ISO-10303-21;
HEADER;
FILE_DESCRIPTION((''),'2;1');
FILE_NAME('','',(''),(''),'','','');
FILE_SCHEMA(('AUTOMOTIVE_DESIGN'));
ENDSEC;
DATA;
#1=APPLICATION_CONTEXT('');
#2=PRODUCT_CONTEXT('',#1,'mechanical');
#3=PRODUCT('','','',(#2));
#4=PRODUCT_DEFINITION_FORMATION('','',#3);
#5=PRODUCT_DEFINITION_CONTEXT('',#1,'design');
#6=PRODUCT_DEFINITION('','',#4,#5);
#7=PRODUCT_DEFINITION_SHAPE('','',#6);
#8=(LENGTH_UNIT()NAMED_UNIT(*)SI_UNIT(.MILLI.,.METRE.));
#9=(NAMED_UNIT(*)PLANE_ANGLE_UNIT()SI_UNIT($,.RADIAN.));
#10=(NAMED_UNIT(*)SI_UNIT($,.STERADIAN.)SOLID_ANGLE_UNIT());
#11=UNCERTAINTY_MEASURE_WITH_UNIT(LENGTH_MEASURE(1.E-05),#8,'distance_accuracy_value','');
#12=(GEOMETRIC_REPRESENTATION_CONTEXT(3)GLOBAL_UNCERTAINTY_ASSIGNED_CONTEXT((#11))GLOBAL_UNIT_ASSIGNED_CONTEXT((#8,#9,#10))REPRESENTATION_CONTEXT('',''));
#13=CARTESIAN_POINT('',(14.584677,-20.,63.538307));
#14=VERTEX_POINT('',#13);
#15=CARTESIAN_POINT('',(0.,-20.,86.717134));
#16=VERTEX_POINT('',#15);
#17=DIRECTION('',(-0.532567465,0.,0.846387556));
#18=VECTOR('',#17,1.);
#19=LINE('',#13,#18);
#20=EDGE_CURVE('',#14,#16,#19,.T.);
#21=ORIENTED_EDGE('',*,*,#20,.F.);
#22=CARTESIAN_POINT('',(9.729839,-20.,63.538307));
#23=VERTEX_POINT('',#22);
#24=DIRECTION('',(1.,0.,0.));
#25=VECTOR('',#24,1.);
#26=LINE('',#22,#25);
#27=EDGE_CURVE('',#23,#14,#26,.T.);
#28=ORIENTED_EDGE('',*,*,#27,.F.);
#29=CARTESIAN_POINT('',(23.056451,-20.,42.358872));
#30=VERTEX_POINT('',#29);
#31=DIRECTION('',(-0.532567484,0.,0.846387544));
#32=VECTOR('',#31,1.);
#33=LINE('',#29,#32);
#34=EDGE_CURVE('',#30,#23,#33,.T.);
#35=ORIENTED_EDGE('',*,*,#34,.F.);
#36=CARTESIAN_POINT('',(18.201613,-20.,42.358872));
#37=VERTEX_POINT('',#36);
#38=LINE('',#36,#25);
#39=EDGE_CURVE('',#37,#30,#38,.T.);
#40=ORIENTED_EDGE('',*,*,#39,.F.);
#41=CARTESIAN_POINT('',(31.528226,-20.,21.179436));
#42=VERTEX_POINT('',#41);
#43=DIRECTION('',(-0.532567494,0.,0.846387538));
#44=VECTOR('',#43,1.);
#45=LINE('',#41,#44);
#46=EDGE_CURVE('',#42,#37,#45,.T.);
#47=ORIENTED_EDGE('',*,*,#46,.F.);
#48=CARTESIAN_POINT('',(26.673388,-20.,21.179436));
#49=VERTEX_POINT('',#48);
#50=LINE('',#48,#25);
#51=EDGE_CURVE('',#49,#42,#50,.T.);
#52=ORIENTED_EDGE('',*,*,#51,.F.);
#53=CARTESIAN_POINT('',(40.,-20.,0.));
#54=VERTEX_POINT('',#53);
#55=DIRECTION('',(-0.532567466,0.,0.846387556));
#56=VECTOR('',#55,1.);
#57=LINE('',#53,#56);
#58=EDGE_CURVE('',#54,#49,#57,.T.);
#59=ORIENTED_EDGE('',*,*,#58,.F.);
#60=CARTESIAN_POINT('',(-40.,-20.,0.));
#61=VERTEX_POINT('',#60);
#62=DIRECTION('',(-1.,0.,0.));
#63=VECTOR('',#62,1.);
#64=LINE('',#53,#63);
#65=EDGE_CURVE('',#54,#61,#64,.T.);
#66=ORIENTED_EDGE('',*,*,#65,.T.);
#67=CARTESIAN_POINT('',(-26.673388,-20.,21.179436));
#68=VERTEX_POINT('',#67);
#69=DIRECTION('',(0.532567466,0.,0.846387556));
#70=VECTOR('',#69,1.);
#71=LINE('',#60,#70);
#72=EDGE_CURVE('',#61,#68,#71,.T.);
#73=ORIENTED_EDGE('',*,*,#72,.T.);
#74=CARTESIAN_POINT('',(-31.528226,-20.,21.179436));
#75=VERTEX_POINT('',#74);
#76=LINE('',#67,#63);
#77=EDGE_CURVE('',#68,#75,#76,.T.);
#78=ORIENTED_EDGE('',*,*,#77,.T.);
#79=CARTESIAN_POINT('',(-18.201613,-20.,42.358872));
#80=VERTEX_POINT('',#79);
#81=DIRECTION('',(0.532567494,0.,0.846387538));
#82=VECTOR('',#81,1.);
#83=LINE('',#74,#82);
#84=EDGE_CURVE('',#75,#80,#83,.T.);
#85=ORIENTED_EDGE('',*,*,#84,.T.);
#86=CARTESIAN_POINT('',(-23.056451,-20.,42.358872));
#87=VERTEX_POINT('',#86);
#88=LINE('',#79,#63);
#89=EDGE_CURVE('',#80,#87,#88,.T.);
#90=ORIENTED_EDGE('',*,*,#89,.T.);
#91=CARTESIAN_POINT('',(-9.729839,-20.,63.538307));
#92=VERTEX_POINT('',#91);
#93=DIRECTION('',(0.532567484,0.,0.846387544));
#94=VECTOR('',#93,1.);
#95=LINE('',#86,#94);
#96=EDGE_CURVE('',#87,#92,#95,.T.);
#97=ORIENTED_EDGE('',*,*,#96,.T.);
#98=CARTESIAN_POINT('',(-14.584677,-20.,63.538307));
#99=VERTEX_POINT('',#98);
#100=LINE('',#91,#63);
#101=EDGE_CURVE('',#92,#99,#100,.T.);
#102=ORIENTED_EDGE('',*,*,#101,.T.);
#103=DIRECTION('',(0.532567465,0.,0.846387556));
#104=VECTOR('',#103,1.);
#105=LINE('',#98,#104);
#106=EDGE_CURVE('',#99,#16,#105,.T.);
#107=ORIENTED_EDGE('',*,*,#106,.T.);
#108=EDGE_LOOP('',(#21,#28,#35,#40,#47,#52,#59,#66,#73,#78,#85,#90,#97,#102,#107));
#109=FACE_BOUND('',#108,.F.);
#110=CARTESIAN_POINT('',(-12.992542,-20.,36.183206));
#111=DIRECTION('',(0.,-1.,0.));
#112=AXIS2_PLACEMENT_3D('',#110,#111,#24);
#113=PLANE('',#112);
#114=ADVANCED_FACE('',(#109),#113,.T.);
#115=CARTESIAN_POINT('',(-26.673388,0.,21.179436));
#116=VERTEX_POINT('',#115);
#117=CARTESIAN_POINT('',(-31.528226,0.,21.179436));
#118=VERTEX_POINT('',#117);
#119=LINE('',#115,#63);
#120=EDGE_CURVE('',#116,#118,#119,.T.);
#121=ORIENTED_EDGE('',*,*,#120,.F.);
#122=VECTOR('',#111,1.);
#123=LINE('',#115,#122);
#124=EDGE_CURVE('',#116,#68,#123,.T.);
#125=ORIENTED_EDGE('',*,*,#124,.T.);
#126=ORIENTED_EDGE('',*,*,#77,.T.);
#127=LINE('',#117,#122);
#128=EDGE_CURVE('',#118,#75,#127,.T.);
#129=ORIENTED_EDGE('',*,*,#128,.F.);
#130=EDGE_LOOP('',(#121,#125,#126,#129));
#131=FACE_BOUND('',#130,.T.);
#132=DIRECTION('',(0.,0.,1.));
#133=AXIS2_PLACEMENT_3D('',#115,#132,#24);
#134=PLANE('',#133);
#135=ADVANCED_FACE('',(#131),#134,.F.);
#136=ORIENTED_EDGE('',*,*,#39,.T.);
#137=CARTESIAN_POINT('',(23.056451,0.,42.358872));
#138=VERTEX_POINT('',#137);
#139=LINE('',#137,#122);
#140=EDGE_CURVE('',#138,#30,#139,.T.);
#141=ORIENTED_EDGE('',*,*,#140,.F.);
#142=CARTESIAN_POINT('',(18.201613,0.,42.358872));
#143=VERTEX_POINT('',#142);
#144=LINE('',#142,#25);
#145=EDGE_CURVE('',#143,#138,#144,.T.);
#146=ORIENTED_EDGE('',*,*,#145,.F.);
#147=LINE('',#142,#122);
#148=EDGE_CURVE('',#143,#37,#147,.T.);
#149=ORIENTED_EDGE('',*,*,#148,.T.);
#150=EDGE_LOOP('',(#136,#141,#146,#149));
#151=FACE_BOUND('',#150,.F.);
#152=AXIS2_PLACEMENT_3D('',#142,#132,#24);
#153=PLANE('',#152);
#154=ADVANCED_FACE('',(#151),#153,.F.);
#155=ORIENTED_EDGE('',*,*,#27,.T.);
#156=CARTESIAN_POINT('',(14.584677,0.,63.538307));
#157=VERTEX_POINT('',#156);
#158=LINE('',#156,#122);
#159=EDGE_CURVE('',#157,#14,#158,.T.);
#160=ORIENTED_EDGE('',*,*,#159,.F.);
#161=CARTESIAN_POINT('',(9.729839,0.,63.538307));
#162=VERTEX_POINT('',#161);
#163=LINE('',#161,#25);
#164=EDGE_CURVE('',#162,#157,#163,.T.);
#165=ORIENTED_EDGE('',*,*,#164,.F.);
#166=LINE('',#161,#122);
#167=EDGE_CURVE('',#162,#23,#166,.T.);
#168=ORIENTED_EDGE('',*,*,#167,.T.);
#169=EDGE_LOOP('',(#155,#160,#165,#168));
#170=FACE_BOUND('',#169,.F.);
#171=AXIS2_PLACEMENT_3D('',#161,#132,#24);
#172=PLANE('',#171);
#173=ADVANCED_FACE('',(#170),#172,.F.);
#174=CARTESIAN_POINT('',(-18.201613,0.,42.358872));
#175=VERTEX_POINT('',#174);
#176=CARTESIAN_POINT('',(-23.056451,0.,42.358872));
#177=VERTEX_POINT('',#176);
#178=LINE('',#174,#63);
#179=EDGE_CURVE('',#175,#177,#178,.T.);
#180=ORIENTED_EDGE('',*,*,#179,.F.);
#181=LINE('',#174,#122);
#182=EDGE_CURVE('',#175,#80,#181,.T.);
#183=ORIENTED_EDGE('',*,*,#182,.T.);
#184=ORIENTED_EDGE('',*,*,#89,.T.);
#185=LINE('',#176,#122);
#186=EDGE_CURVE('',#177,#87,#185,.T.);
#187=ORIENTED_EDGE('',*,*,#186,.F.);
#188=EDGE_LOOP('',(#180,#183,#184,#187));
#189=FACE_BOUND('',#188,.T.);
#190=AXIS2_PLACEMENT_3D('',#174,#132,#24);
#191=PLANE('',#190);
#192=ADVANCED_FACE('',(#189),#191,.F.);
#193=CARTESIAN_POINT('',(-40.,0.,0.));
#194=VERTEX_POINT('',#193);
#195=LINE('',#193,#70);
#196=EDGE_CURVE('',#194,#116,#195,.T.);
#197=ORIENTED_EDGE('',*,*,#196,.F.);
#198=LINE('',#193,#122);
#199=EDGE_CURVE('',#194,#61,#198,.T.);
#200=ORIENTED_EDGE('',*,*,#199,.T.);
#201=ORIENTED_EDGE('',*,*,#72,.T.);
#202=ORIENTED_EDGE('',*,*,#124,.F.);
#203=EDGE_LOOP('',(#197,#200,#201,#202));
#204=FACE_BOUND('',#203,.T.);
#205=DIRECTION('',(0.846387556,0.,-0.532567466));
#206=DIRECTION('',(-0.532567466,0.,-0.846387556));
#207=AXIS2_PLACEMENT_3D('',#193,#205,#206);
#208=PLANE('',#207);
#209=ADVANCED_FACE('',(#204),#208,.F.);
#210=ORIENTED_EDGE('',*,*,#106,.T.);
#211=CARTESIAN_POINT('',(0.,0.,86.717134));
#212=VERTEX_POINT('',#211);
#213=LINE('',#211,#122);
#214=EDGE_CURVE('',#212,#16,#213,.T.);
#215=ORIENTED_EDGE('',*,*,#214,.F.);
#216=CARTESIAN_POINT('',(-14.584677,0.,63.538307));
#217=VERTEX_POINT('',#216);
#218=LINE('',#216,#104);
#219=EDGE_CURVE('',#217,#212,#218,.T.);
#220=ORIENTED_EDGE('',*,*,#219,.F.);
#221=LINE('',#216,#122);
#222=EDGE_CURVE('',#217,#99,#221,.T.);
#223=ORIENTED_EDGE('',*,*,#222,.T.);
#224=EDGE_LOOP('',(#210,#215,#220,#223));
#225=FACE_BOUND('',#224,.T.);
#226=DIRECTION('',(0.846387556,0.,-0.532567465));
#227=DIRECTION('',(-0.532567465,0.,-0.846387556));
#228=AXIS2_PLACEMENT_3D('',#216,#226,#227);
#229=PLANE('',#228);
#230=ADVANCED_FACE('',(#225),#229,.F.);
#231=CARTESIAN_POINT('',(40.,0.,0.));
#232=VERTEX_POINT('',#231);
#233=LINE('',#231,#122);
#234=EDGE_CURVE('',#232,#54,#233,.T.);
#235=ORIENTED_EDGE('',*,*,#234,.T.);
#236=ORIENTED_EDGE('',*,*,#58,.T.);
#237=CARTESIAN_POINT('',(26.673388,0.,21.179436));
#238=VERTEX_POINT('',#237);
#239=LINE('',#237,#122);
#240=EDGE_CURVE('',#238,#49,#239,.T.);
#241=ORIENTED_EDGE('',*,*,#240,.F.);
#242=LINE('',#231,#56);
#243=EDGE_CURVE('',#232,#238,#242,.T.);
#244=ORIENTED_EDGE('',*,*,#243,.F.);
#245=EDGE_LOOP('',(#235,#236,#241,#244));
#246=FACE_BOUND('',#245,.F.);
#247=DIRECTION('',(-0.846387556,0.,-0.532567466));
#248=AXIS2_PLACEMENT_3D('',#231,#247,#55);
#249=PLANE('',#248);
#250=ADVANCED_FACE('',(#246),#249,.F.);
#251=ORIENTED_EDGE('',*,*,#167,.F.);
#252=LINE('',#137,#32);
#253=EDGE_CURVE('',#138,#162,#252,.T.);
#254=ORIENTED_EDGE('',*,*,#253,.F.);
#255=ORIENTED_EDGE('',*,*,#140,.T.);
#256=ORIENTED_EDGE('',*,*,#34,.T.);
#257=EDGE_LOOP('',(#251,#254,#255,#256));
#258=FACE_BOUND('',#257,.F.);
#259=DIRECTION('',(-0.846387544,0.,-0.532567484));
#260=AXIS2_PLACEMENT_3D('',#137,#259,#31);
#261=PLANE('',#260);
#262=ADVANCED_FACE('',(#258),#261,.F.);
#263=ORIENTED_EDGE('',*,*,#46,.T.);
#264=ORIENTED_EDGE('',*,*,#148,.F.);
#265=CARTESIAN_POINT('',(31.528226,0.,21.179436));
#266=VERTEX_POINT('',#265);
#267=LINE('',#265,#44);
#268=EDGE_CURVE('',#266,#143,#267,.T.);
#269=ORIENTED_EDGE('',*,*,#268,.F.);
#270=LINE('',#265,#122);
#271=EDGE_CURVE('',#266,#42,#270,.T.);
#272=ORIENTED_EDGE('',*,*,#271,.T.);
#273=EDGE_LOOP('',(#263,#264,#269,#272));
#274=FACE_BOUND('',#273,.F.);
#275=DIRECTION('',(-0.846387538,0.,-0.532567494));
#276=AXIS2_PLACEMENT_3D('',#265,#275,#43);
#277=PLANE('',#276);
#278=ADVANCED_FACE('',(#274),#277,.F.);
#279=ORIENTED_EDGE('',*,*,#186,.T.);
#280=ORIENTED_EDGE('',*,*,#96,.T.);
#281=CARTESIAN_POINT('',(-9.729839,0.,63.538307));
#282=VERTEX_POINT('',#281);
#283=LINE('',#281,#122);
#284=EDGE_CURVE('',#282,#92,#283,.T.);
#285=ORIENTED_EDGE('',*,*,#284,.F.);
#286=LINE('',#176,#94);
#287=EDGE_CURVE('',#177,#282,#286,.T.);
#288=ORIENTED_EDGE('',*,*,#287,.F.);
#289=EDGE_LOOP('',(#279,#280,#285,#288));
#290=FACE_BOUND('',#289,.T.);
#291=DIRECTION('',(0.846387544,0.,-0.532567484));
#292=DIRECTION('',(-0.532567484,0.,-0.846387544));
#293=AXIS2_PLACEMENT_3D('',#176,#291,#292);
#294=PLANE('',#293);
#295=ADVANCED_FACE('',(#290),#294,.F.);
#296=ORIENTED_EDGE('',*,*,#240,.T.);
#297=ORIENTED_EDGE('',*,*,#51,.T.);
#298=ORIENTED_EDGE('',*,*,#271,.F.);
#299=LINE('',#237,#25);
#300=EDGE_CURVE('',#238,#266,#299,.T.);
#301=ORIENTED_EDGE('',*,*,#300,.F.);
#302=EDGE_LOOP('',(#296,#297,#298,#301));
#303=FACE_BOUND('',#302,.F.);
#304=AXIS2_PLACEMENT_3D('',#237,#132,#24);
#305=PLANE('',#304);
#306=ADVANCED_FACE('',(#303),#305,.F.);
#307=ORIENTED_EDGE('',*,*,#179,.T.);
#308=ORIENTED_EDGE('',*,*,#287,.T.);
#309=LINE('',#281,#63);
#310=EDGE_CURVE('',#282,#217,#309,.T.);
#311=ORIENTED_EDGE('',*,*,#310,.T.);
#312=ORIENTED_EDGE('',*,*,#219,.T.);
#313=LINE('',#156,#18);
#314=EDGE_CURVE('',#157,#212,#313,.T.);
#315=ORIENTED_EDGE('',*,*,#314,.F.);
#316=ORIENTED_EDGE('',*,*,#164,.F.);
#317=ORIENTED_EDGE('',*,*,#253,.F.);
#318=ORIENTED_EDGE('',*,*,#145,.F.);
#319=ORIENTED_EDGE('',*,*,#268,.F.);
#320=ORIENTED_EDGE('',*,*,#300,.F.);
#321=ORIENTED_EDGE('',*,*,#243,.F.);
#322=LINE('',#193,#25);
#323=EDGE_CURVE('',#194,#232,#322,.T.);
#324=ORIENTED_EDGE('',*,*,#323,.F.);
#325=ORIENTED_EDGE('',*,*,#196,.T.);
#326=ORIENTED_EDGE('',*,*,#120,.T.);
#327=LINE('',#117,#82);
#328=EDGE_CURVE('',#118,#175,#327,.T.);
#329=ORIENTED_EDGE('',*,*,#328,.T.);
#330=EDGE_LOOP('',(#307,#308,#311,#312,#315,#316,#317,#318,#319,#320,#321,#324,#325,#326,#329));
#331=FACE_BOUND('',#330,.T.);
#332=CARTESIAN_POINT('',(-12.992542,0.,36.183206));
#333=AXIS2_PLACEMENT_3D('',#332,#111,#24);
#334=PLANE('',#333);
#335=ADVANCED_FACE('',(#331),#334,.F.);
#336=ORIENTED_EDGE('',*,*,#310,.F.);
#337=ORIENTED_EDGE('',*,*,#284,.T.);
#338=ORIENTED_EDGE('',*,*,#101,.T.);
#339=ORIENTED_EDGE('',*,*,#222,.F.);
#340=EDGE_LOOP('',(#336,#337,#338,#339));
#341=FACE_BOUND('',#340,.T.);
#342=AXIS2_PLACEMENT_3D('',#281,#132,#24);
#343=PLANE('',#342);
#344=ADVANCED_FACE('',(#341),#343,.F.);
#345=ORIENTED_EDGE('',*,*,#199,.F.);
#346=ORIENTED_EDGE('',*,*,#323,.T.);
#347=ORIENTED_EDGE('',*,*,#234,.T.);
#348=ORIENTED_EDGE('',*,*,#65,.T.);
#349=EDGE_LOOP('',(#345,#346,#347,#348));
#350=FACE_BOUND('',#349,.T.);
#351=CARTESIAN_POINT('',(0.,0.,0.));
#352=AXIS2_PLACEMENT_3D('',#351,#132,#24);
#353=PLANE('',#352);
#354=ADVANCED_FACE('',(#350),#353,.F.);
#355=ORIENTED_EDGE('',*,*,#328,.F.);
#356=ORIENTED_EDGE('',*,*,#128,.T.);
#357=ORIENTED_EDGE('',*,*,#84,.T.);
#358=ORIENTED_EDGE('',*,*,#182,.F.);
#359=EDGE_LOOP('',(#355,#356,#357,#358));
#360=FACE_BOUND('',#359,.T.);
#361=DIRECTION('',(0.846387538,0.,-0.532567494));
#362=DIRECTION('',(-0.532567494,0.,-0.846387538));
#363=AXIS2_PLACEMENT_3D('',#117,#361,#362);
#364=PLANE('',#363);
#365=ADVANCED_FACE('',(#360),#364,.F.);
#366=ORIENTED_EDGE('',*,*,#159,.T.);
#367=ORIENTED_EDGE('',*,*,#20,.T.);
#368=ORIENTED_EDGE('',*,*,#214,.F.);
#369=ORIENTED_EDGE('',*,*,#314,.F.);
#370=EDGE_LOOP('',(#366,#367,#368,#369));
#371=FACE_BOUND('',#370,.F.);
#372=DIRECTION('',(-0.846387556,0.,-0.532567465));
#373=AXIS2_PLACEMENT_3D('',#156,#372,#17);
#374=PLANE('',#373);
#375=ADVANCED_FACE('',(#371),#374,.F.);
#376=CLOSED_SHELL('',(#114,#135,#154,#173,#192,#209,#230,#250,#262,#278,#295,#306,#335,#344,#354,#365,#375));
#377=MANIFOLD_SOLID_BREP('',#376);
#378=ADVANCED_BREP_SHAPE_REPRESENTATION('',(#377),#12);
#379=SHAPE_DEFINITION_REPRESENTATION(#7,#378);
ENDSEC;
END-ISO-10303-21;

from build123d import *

# Parameters (mm, degrees)
F1_DEPTH = 20


with BuildPart() as f1:
    # F0 (on Front) → F1 (new body)
    with BuildSketch(Plane.XZ):
        Polygon((0, 86.717134), (0, 0), (40, 0), (26.673388, 21.179436), (31.528226, 21.179436), (18.201613, 42.358872), (23.056451, 42.358872), (9.729839, 63.538307), (14.584677, 63.538307), align=None)
    extrude(amount=F1_DEPTH)

    # F2: F1 across plane


with BuildPart() as f1_1:
    add(f1.part)
    add(f1.part.mirror(Plane.YZ))


solid = f1_1.part
